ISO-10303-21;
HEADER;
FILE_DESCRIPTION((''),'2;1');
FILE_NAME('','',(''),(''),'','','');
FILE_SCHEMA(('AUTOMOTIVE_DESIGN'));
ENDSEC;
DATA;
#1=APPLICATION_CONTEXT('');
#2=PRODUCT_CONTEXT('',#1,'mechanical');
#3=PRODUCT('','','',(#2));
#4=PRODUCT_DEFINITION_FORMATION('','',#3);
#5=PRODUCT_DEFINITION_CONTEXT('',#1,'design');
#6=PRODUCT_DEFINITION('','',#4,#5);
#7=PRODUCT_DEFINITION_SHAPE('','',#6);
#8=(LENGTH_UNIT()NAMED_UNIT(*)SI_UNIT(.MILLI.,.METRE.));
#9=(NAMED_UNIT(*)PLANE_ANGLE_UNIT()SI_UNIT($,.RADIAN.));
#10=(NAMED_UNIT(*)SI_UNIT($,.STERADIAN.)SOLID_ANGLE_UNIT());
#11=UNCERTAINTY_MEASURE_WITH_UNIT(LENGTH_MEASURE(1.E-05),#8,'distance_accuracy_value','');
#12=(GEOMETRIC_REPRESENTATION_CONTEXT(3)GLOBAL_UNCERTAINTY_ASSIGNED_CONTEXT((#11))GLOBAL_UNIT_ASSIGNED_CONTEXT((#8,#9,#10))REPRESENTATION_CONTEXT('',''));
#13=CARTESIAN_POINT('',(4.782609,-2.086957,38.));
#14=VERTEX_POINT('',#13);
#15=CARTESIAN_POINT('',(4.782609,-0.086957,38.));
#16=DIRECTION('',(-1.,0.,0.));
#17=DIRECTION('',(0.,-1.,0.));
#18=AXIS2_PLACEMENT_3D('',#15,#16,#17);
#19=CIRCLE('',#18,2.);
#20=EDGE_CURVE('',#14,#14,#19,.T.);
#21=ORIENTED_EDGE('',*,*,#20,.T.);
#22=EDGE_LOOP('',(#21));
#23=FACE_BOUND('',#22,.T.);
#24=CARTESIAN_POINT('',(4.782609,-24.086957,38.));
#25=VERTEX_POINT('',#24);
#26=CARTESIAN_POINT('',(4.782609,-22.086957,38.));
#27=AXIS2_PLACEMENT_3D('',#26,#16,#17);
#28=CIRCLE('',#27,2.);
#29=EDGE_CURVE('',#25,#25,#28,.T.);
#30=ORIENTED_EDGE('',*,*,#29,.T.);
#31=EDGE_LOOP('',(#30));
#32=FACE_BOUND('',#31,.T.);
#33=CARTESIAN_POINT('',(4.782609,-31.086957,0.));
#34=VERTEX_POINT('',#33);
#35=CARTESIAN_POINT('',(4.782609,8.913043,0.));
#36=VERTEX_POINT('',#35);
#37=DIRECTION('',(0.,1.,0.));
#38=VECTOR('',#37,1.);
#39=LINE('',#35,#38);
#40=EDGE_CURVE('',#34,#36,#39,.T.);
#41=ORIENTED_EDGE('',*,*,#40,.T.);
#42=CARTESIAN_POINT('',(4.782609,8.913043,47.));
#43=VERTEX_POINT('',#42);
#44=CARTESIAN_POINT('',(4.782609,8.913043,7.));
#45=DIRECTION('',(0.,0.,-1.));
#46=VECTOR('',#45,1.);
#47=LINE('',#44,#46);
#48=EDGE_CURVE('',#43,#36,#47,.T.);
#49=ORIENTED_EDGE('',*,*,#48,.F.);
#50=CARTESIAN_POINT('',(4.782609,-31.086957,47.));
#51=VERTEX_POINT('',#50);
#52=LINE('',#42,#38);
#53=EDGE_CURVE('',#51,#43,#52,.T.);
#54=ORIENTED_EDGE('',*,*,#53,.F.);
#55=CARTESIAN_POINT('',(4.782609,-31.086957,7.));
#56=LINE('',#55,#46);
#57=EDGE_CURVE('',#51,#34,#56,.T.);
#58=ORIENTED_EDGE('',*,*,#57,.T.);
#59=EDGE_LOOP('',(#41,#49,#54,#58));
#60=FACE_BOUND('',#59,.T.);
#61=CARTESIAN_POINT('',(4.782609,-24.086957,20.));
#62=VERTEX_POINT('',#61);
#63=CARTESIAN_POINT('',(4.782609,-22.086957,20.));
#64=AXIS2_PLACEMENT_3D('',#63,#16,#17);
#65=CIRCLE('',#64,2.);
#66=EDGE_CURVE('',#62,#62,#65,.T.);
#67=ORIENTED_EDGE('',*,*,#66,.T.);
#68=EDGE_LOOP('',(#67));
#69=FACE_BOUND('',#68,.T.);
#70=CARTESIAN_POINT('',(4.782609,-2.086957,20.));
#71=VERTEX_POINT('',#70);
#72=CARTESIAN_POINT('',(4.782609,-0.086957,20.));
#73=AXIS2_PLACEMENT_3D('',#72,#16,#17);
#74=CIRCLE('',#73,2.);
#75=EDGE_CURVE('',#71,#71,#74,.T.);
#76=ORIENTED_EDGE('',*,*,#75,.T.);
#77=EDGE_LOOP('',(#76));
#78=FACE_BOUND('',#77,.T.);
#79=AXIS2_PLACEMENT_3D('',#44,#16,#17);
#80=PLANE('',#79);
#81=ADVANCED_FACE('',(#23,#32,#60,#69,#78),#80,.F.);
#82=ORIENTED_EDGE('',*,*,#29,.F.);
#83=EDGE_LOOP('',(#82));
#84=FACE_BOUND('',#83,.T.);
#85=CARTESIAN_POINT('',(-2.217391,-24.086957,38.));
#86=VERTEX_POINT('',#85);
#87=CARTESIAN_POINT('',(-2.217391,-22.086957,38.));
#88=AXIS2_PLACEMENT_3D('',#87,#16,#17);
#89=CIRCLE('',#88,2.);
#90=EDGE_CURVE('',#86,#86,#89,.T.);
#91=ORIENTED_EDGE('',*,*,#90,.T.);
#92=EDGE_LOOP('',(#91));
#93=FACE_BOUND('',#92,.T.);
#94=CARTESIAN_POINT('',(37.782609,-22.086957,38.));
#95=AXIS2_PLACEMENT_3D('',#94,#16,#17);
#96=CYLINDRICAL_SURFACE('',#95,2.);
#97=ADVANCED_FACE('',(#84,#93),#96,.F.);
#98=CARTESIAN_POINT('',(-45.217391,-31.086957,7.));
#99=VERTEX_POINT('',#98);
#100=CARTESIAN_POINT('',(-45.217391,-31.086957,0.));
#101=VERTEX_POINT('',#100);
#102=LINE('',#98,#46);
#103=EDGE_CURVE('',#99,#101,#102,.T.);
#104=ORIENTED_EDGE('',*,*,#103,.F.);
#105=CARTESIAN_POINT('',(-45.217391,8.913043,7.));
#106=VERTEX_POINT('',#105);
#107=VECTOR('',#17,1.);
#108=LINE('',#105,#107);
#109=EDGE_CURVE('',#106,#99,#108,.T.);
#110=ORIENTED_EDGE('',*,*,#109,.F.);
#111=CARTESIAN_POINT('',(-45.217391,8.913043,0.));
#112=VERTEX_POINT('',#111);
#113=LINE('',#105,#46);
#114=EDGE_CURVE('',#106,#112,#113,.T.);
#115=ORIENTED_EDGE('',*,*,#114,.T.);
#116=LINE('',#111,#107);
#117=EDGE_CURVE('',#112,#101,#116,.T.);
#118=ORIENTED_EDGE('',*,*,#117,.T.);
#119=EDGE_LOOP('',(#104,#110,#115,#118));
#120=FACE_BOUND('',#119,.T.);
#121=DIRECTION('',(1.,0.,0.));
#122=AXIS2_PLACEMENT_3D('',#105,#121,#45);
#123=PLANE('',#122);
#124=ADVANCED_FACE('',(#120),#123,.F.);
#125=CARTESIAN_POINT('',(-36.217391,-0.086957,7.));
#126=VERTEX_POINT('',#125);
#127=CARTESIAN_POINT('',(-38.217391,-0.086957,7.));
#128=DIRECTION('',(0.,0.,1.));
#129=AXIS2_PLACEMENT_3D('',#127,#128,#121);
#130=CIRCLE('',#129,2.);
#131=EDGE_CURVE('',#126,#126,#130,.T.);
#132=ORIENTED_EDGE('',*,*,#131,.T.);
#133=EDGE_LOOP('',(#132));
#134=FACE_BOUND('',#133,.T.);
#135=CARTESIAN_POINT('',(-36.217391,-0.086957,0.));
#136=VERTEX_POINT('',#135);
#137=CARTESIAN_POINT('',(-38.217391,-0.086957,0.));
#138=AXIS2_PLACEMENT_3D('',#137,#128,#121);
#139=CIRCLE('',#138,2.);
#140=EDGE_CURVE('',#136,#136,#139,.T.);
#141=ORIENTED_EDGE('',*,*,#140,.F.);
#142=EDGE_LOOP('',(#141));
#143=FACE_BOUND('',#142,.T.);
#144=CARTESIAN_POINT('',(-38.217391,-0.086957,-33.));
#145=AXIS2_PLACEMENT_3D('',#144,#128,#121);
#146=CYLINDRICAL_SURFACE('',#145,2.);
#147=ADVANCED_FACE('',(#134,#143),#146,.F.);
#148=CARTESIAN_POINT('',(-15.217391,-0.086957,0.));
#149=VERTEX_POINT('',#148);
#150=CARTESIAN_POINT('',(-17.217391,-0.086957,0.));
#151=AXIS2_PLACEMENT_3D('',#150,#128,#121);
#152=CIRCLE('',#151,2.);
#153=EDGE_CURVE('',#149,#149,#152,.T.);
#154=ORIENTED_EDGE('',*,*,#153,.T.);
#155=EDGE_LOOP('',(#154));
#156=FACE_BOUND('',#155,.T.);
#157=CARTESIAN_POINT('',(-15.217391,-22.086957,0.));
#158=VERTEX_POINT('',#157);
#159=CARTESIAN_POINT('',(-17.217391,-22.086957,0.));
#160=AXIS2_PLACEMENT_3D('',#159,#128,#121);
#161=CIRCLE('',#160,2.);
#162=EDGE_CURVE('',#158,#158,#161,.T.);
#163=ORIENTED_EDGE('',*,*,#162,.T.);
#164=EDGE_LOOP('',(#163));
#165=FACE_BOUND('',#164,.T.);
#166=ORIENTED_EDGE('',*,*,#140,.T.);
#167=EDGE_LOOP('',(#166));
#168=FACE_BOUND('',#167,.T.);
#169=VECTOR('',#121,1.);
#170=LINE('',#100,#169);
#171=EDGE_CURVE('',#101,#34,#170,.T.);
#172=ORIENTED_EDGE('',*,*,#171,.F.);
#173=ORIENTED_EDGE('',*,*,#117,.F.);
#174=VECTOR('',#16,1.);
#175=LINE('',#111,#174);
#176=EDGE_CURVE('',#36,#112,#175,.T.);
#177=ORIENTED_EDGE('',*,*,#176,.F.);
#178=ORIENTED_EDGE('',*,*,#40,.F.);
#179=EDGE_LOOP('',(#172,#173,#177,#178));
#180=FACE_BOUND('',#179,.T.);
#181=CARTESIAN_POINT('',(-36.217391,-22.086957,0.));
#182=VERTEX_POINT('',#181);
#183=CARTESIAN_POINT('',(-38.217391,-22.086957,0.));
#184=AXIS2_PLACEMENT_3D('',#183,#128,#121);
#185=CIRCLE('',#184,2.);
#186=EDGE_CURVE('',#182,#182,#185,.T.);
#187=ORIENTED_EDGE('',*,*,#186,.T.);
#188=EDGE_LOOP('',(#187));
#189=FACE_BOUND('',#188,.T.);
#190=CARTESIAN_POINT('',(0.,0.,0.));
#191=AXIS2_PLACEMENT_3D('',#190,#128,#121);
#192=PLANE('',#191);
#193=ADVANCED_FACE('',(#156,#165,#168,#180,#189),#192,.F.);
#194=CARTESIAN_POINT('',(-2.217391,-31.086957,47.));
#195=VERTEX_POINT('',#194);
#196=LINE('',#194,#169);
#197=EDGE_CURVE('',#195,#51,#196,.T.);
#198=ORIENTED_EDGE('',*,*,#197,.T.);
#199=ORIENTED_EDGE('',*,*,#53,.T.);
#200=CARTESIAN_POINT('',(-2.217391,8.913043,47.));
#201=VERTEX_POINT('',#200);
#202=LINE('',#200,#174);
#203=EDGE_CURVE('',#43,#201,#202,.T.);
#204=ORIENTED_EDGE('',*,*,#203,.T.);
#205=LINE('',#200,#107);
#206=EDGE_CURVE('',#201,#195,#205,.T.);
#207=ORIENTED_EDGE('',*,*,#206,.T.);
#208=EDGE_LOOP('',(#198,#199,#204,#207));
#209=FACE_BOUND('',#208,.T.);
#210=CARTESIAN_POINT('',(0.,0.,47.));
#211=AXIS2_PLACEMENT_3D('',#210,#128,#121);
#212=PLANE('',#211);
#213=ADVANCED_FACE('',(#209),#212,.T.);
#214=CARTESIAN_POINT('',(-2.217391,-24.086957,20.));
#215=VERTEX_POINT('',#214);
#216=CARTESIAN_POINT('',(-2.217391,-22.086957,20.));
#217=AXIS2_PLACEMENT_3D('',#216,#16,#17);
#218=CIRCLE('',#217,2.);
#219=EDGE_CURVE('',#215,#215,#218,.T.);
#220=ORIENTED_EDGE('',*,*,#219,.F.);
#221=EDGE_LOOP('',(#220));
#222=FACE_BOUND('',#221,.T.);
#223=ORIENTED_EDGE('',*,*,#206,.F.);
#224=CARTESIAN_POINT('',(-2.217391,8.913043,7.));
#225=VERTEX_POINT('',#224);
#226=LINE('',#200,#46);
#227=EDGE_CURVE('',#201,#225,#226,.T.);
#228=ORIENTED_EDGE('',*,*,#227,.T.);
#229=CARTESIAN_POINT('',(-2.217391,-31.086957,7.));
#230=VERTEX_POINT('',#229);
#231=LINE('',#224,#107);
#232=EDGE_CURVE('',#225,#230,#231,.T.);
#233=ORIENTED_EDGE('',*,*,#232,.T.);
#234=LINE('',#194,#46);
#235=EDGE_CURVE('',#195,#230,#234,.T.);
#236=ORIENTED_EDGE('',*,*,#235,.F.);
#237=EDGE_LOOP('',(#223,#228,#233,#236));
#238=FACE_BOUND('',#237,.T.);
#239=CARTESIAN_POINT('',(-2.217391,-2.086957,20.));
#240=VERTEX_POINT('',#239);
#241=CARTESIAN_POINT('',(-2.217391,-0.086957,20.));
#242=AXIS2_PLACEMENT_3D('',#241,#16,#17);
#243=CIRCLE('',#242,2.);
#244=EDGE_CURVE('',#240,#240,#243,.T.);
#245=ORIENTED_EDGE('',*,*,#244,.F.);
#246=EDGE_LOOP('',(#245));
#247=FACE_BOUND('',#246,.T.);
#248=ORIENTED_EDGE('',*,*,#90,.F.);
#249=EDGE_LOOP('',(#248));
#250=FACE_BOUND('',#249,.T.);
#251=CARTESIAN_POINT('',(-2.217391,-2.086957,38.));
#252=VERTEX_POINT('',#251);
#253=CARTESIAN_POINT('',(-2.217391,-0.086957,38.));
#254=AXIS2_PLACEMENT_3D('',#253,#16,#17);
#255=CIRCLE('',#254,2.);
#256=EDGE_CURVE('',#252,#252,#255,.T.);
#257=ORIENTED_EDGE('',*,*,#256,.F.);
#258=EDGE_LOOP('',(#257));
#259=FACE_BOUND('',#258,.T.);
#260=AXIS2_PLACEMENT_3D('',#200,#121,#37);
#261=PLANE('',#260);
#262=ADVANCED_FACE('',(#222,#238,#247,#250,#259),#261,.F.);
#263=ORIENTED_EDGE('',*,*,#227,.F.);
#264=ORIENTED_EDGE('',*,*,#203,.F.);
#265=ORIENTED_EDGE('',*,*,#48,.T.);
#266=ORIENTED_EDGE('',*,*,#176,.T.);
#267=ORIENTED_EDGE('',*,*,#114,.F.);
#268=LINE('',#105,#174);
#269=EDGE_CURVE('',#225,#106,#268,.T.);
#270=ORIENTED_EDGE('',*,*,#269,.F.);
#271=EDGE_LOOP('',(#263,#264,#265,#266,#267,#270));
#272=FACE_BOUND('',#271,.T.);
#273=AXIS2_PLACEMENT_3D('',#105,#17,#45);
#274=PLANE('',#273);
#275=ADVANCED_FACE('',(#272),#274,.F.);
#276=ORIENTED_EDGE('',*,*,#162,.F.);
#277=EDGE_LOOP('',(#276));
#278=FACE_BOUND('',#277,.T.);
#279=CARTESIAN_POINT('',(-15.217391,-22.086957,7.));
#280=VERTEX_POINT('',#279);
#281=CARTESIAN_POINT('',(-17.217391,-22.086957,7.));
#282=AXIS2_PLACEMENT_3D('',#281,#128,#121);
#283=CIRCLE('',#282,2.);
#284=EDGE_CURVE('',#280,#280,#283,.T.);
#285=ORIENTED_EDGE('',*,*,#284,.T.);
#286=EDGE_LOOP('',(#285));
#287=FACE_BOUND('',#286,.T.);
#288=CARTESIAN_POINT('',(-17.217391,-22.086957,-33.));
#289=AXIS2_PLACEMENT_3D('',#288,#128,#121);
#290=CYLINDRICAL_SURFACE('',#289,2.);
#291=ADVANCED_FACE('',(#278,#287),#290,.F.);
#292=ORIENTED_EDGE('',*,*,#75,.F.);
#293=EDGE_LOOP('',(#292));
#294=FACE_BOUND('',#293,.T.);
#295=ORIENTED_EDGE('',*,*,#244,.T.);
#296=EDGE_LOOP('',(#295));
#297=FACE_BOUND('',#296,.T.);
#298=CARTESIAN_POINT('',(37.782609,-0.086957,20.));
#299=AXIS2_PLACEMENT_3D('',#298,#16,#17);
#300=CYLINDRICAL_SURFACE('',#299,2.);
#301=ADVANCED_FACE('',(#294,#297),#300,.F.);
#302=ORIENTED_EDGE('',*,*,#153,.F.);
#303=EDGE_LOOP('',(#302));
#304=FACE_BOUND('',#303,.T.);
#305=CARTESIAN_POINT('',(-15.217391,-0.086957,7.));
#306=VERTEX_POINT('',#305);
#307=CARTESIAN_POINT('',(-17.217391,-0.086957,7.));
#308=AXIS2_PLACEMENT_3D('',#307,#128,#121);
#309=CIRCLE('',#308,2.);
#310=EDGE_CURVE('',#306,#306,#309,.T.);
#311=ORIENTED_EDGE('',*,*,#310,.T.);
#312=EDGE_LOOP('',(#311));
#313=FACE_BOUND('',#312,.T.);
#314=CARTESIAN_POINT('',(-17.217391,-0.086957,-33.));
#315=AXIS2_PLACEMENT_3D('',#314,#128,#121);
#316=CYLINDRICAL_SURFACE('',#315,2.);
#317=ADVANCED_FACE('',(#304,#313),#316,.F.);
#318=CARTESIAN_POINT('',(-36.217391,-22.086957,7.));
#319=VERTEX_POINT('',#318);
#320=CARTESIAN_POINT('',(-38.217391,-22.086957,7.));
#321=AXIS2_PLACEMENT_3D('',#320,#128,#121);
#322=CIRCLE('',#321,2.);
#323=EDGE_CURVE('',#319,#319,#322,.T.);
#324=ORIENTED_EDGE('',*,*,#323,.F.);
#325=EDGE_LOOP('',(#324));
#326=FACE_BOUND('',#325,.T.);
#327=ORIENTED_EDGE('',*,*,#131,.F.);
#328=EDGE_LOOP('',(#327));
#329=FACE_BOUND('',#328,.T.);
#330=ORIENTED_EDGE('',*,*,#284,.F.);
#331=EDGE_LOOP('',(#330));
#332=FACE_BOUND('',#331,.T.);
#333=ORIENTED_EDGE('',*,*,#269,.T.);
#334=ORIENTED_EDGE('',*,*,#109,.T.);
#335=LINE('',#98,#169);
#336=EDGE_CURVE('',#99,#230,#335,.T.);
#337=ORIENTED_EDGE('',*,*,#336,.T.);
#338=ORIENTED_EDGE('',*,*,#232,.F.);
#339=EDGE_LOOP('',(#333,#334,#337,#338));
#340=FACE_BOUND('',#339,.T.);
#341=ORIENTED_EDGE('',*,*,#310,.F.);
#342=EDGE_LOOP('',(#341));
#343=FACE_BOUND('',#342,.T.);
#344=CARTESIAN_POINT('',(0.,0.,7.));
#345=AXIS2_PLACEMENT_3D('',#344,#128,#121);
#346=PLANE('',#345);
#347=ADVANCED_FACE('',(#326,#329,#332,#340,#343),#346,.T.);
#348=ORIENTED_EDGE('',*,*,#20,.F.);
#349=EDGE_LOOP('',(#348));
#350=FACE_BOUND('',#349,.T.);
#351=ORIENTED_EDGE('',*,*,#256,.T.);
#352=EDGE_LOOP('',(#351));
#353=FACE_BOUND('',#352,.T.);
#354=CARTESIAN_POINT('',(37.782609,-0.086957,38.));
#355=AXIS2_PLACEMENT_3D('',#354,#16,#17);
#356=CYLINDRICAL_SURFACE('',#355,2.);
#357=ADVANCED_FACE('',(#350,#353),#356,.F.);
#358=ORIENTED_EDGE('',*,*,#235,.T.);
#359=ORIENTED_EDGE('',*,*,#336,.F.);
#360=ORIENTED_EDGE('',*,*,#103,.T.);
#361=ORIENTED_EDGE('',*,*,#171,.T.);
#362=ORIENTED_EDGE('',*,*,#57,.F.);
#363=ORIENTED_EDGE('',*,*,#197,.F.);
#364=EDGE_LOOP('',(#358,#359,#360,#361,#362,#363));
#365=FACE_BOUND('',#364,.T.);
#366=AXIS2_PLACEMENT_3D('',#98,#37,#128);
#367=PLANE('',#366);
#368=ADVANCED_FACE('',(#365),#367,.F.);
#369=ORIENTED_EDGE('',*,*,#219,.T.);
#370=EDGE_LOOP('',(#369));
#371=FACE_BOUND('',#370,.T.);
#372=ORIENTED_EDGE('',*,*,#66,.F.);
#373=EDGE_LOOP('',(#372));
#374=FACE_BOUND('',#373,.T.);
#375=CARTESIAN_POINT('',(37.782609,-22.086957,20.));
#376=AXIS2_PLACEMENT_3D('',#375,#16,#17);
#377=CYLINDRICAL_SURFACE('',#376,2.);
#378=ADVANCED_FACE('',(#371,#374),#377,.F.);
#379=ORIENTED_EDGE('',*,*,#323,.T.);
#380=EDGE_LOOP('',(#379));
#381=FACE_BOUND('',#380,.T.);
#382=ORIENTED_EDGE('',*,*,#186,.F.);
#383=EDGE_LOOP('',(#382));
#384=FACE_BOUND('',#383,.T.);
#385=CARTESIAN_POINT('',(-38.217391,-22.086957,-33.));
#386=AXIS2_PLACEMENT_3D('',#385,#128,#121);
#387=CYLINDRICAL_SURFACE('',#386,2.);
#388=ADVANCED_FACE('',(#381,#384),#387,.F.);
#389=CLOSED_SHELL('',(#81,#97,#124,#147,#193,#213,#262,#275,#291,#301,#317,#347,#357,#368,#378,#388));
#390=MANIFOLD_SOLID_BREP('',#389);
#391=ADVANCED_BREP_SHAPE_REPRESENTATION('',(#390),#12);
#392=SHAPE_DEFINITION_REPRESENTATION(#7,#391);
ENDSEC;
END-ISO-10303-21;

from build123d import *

# Parameters (mm, degrees)
SKETCH1_W           = 50
SKETCH1_H           = 40
BOSS_EXTRUDE1_DEPTH = 7
SKETCH2_W           = 7
SKETCH2_H           = 40
BOSS_EXTRUDE2_DEPTH = 40
SKETCH3_R           = 2
CUT_EXTRUDE1_DEPTH  = 40
SKETCH4_R           = 2
CUT_EXTRUDE2_DEPTH  = 40


with BuildPart() as part:
    # Sketch1 → Boss-Extrude1 (new body)
    with BuildSketch(Plane.XY):
        with Locations((-20.217391304, -11.086956522)):
            Rectangle(SKETCH1_W, SKETCH1_H)
    extrude(amount=BOSS_EXTRUDE1_DEPTH)

    # Sketch2 → Boss-Extrude2 (add)
    with BuildSketch(Plane.XY.offset(7)):
        with Locations((1.282608696, -11.086956522)):
            Rectangle(SKETCH2_W, SKETCH2_H)
    extrude(amount=BOSS_EXTRUDE2_DEPTH)

    # Sketch3 → Cut-Extrude1 (cut)
    with BuildSketch(Plane.XY.offset(7)):
        with Locations((-38.217391304, -0.086956522)):
            Circle(SKETCH3_R)
        with Locations((-38.217391304, -22.086956522)):
            Circle(SKETCH3_R)
        with Locations((-17.217391304, -0.086956522)):
            Circle(SKETCH3_R)
        with Locations((-17.217391304, -22.086956522)):
            Circle(SKETCH3_R)
    extrude(amount=-CUT_EXTRUDE1_DEPTH, mode=Mode.SUBTRACT)

    # Sketch4 → Cut-Extrude2 (cut)
    with BuildSketch(Plane.ZY.offset(2.217391304)):
        with Locations(Location((38, -0.086956522, 0), (0, 0, 270))):
            Circle(SKETCH4_R)
        with Locations(Location((38, -22.086956522, 0), (0, 0, 270))):
            Circle(SKETCH4_R)
        with Locations(Location((20, -0.086956522, 0), (0, 0, 270))):
            Circle(SKETCH4_R)
        with Locations(Location((20, -22.086956522, 0), (0, 0, 270))):
            Circle(SKETCH4_R)
    extrude(amount=-CUT_EXTRUDE2_DEPTH, mode=Mode.SUBTRACT)


solid = part.part
